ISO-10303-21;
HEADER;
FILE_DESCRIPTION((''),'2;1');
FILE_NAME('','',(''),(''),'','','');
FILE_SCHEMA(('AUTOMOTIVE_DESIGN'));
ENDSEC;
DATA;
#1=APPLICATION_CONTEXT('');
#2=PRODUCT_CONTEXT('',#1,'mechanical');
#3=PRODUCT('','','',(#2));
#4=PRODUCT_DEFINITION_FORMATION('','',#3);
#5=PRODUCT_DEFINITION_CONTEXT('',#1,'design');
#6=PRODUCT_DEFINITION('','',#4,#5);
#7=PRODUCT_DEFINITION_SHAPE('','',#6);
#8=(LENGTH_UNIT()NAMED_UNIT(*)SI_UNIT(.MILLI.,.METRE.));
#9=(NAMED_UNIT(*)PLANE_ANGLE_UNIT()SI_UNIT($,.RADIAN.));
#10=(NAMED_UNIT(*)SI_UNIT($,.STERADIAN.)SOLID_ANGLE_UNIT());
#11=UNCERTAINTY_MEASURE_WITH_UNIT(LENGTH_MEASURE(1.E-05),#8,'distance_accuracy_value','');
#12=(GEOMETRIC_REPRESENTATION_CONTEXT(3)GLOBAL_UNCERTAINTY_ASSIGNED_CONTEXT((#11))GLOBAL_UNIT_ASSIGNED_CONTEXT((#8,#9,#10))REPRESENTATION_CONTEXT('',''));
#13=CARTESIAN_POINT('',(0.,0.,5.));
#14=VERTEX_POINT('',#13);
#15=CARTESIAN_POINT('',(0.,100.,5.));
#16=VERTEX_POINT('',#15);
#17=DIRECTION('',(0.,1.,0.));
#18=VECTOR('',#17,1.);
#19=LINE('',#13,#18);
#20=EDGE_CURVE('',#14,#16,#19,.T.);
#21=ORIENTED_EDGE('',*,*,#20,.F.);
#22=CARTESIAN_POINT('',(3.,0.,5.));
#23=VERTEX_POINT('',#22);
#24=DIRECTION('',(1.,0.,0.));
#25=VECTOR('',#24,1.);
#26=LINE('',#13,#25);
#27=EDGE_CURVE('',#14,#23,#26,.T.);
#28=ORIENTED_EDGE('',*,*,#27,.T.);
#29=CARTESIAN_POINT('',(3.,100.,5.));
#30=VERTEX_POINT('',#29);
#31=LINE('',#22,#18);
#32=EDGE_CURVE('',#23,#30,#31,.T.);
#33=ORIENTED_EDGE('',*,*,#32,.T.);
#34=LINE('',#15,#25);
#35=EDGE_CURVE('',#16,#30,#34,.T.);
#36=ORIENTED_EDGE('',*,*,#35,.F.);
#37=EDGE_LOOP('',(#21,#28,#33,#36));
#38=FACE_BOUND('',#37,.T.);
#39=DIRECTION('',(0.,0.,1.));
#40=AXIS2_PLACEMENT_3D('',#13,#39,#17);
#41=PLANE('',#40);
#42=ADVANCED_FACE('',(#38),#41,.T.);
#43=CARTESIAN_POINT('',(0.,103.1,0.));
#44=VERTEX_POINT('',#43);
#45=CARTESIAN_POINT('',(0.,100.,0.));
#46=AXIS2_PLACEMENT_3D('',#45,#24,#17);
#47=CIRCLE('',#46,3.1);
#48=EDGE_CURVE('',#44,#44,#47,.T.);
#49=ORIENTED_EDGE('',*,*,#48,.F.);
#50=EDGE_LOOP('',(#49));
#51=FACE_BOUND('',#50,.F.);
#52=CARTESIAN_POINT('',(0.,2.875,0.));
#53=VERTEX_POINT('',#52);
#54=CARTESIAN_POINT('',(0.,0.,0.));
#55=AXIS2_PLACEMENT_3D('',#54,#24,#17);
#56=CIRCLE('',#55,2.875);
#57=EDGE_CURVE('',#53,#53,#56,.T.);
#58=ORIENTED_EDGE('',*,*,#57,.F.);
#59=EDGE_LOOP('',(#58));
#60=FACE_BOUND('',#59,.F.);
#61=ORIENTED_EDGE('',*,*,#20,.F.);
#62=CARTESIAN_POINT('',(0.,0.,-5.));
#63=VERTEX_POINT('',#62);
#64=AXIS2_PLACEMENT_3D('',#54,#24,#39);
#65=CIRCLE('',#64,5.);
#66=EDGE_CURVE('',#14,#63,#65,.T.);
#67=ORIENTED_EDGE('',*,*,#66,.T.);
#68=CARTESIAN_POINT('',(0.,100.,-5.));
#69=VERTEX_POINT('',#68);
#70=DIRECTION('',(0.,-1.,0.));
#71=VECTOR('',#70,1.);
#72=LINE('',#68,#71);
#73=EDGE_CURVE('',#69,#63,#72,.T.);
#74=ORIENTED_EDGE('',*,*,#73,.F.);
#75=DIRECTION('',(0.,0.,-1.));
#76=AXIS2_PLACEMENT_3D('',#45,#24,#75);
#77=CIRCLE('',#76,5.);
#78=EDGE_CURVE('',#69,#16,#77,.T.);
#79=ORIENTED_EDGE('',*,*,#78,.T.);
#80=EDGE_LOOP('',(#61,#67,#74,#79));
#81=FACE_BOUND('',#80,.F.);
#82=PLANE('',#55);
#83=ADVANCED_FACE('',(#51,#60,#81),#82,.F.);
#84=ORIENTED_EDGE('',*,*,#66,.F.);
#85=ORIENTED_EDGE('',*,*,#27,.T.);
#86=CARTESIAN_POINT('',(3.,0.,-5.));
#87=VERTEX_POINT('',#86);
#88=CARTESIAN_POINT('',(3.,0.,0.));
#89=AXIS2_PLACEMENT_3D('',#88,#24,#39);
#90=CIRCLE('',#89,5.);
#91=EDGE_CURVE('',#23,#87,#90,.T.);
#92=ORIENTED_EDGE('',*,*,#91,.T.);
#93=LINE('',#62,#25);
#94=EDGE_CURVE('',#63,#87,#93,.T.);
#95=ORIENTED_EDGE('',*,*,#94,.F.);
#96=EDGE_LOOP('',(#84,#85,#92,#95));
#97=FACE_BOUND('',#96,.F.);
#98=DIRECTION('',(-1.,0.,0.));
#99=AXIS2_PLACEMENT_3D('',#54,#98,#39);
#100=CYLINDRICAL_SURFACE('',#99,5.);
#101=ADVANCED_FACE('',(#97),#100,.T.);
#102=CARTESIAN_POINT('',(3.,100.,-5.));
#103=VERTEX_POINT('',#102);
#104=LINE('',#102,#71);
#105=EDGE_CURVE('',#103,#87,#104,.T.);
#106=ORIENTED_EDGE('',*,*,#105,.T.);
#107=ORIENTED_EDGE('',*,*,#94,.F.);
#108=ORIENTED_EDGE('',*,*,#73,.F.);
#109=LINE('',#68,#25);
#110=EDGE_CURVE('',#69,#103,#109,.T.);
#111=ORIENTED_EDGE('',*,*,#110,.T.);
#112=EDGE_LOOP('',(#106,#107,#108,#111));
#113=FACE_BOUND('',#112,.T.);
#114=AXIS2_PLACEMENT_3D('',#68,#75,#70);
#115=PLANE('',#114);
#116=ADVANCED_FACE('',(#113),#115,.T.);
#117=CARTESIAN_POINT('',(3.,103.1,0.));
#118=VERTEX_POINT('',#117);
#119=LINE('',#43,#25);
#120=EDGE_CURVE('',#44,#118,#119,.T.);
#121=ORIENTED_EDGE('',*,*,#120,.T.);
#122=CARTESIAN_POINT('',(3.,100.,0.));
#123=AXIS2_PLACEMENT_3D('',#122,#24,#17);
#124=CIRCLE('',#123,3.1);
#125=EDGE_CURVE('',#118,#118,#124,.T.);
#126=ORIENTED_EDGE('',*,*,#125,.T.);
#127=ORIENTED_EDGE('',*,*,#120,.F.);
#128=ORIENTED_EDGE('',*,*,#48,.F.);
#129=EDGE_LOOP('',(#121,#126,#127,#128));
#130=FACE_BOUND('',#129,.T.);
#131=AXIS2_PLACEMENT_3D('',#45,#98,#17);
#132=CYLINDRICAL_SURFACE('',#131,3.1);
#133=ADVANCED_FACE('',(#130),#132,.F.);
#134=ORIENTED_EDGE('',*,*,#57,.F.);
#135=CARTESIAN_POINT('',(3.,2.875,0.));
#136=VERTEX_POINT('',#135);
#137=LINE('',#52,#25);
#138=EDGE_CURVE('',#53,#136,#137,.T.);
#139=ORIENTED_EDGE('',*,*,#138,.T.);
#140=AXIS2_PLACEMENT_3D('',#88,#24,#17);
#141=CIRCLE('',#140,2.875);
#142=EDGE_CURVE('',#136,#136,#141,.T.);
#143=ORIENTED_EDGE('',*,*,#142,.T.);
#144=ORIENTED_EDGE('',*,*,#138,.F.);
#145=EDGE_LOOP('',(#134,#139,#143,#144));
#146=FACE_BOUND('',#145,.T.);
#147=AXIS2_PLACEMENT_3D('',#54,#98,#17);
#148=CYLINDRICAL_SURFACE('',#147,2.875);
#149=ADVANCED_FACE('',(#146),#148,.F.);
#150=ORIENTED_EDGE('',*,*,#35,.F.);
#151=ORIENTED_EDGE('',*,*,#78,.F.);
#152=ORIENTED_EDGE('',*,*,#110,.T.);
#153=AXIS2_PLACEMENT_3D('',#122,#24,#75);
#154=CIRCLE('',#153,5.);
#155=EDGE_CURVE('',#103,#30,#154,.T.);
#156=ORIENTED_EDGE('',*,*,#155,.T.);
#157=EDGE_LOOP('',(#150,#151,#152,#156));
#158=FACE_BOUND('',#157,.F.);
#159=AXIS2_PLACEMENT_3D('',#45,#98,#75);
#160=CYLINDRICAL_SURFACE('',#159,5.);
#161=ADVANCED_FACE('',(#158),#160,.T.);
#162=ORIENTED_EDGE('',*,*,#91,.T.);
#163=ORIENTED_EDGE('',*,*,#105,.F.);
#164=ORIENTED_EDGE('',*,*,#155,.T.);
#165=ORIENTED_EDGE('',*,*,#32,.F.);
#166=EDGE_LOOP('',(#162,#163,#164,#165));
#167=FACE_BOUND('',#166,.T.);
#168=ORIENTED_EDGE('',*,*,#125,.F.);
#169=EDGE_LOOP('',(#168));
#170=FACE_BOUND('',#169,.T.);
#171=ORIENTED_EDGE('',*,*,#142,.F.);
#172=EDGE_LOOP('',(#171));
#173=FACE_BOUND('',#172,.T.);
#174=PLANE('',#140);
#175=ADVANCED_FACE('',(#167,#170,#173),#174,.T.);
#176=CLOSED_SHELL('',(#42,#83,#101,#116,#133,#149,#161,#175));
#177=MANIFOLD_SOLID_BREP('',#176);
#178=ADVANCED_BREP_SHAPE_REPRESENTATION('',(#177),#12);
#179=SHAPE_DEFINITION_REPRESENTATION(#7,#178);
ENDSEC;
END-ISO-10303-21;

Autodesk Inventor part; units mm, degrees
ref_plane "YZ Plane" through (0, 0, 0) normal (1, 0, 0) x (0, 1, 0)
ref_plane "XZ Plane" through (0, 0, 0) normal (0, 1, 0) x (-1, 0, 0)
ref_plane "XY Plane" through (0, 0, 0) normal (0, 0, 1) x (1, 0, 0)
sketch "Sketch1" plane through (0, 0, 0) normal (1, 0, 0) x (0, 1, 0)
  circle A0 centre (0, 0) radius 2.875
  arc A1 (0, 5) -> (0, -5) centre (0, 0) ccw
  line L0 (0, 5) -> (100, 5)
  line L1 (100, -5) -> (0, -5)
  arc A2 (100, -5) -> (100, 5) centre (100, 0) ccw
  circle A3 centre (100, 0) radius 3.1
  dimension "d0" = 5.75
  dimension "d1" = 10
  dimension "d3" = 100
  dimension "d5" = 6.2
  dimension "d27" = 5
extrude "Extrusion1" add sketch "Sketch1" along normal blind 3
ref_plane "Work Plane1" through (-2, 0, 0) normal (1, 0, 0) x (0, 0, -1)
equation "\"d27\" = 0.5 * d1"
properties part number "ServoLinkage_015"
